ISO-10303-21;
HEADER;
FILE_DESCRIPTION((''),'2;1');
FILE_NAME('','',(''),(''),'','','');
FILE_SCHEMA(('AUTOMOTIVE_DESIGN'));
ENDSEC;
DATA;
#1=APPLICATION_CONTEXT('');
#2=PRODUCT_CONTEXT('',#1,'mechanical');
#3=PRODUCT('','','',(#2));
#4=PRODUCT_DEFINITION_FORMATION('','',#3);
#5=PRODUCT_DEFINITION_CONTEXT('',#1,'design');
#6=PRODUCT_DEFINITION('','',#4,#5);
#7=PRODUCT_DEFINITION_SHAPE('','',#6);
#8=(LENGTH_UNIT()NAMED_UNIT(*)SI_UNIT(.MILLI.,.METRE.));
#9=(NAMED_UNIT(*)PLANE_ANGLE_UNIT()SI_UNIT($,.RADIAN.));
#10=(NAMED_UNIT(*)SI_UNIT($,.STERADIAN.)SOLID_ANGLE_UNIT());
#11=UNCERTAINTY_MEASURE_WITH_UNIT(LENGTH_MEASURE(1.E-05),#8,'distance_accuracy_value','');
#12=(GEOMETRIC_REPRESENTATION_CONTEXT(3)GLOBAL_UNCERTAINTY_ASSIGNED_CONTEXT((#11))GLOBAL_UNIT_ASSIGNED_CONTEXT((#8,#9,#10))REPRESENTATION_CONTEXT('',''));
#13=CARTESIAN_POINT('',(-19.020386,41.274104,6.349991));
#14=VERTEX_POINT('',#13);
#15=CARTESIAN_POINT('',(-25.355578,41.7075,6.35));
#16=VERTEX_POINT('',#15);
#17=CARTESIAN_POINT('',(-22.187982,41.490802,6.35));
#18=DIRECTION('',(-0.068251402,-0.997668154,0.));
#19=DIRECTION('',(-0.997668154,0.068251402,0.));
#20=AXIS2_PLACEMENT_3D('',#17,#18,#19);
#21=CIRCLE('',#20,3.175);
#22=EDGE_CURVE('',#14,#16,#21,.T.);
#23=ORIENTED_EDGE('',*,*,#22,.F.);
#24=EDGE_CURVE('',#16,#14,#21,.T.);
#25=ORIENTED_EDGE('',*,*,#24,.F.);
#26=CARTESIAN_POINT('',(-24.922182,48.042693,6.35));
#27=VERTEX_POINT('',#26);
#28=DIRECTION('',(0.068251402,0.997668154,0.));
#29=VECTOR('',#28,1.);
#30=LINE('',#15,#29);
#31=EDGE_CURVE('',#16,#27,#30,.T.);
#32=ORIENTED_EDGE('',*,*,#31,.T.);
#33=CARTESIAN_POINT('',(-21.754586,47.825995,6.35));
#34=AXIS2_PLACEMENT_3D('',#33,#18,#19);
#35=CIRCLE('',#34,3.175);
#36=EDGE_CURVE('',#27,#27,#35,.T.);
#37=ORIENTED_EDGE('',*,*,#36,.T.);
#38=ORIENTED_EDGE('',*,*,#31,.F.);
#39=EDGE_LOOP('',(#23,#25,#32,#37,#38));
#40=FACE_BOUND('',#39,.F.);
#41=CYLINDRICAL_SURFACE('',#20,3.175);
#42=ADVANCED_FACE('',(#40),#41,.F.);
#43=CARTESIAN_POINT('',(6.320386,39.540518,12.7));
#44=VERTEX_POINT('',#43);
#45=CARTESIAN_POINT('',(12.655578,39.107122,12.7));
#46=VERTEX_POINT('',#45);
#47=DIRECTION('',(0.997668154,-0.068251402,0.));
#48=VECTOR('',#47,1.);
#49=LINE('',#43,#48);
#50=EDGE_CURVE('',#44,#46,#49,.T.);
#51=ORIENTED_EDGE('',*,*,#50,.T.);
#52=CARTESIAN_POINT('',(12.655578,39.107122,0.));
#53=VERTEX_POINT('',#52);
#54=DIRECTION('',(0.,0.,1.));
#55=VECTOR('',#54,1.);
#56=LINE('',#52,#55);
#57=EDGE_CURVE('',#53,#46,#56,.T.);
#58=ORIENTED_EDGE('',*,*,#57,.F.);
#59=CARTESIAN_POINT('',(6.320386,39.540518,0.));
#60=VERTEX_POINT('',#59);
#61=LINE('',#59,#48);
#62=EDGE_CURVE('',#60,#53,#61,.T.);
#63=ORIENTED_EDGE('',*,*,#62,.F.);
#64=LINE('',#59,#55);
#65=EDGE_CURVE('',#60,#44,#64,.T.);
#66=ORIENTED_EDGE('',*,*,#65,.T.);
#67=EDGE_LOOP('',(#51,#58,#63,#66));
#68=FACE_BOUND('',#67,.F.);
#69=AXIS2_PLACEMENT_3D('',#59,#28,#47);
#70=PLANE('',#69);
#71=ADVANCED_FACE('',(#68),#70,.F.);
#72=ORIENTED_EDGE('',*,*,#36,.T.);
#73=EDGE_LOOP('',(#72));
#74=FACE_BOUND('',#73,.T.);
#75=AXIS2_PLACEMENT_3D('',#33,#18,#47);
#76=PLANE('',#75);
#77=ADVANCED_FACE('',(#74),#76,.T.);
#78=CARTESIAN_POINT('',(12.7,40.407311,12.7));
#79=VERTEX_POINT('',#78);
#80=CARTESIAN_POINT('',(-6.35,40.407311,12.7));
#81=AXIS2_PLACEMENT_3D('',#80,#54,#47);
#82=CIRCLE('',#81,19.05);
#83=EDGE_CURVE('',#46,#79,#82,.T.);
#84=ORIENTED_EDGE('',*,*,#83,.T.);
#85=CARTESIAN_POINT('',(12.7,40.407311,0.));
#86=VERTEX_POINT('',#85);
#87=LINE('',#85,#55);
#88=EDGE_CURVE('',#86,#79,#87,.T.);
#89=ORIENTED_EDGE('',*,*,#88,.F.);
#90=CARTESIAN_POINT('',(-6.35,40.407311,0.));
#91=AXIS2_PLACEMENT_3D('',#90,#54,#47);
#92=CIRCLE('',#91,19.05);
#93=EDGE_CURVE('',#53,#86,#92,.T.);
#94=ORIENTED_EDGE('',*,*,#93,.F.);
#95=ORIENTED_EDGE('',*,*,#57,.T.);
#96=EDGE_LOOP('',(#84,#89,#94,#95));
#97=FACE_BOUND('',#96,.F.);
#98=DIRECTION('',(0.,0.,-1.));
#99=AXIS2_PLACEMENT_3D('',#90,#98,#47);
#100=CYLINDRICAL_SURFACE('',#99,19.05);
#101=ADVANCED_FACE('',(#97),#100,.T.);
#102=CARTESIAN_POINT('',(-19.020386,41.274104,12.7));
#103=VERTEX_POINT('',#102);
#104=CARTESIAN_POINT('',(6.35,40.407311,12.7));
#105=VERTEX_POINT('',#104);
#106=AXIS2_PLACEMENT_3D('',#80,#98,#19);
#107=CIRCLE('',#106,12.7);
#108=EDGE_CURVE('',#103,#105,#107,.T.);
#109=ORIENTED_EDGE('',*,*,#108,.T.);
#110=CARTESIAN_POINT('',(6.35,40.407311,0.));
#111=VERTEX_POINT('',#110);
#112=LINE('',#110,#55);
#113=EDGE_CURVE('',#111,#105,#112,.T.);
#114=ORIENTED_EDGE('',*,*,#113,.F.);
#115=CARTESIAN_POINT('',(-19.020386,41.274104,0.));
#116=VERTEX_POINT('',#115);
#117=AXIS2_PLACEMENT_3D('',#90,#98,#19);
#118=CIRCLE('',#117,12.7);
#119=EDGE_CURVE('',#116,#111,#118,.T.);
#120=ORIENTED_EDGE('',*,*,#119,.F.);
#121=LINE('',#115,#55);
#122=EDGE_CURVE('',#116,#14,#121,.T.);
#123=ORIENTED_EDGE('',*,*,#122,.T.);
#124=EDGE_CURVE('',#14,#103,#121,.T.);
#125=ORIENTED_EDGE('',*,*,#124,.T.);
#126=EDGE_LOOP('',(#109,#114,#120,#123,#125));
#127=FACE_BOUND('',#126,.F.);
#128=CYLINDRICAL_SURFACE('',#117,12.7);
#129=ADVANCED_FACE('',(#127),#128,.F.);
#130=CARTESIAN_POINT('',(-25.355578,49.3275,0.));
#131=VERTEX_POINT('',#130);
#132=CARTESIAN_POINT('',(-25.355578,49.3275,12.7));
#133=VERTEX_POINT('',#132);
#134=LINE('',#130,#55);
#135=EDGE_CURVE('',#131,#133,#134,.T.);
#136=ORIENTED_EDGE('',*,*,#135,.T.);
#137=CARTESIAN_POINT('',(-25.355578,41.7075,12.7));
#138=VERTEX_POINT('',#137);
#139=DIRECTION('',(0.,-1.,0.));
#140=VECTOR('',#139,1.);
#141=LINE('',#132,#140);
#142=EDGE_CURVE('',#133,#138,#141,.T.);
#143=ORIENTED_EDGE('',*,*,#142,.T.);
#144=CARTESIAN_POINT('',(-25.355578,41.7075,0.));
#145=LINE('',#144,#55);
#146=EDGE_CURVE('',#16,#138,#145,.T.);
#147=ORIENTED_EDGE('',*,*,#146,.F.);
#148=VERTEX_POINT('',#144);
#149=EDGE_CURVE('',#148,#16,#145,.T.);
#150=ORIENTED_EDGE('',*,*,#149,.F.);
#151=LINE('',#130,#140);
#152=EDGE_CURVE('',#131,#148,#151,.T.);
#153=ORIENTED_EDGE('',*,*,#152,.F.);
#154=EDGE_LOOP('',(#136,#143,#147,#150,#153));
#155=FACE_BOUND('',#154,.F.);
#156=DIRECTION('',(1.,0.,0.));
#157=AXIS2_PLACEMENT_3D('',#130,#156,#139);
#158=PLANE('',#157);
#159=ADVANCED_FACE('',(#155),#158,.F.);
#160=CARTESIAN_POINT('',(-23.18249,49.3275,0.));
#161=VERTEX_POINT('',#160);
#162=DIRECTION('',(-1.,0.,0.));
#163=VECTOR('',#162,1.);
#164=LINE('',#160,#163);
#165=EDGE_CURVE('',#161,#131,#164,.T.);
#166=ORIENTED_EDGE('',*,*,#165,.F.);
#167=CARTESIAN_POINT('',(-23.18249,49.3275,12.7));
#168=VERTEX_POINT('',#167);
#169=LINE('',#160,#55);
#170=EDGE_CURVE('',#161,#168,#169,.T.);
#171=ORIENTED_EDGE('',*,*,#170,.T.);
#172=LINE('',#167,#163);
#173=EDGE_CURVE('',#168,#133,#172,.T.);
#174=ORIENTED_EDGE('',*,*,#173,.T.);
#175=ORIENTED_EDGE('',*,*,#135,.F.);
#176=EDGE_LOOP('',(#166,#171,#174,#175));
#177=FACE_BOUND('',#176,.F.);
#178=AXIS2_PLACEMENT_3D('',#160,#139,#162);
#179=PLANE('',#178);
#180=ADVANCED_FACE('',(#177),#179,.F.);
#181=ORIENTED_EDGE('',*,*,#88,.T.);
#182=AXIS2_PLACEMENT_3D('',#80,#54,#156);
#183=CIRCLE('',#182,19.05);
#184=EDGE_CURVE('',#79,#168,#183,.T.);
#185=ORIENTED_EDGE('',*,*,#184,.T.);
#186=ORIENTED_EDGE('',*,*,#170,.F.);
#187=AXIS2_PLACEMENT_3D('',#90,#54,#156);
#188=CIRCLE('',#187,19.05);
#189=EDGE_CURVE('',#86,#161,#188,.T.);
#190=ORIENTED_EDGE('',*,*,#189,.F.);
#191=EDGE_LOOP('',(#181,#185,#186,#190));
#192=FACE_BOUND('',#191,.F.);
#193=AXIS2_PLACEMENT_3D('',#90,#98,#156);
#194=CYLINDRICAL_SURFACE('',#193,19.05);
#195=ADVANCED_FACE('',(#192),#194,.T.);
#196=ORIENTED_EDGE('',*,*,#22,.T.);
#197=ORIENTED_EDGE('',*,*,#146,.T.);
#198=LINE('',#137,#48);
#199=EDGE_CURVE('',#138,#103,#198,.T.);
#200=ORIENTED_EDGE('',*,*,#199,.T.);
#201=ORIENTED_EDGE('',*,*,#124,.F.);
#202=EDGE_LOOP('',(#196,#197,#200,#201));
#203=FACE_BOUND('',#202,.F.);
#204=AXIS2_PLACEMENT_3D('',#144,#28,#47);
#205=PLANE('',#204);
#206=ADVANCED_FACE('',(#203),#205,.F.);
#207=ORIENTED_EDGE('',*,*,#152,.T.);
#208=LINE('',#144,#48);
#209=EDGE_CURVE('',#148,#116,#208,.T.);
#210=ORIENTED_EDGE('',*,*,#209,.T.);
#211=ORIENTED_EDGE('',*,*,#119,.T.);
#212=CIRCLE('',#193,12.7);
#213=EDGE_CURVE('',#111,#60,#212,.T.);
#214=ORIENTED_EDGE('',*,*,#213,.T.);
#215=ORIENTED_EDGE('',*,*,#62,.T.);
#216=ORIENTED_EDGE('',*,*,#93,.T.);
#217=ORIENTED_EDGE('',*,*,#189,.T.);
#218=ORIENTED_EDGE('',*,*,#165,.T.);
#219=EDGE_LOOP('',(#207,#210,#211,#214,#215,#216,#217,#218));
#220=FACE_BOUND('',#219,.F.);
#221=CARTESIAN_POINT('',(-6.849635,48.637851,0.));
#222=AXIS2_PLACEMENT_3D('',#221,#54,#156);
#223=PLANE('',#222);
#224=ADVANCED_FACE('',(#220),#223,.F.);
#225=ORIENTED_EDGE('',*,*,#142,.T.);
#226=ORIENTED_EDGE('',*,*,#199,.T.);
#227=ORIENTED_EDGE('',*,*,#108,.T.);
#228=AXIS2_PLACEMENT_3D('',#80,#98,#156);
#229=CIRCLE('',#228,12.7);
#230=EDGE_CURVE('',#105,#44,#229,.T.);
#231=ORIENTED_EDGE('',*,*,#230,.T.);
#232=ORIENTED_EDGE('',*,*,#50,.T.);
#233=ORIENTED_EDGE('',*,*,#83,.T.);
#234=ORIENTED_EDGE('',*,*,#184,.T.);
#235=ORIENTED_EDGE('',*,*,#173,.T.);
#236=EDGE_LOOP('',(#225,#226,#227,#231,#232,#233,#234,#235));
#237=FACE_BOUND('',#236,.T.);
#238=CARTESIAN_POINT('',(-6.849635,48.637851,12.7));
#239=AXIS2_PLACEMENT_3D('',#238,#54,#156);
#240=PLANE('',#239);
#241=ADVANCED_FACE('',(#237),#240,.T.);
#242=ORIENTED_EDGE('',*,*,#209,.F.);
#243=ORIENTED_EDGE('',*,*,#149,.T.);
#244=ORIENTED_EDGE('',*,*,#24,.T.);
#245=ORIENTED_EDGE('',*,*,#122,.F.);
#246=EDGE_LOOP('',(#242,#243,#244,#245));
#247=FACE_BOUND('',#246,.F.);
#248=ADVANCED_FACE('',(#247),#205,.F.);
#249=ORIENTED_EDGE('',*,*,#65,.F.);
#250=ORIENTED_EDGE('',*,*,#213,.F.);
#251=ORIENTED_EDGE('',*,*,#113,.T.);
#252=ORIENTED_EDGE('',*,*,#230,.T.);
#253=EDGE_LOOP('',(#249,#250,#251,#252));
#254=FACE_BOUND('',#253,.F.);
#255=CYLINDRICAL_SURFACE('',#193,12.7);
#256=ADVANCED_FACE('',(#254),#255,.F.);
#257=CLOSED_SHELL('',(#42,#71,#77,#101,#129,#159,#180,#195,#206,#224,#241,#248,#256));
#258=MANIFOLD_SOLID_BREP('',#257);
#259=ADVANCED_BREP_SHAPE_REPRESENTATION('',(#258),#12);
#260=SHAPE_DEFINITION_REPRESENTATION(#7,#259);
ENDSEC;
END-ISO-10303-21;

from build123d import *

# Parameters (mm, degrees)
F1_DEPTH = 12.7
F3_DEPTH = 6.35


with BuildPart() as f1:
    # F0 (on Top) → F1 (new body)
    with BuildSketch(Plane.XY):
        with BuildLine():
            Line((-19.0055783398, 41.7074999772), (-25.3555783398, 41.7074999772))
            Line((-25.3555783398, 41.7074999772), (-19.0203855599, 41.2741035754))
            ThreePointArc((-19.0203855599, 41.2741035754), (-5.9163507237, 53.0999050026), (6.35, 40.4073107719))
            ThreePointArc((6.35, 40.4073107719), (6.3425942307, 39.9736614957), (6.3203855599, 39.5405179684))
            Line((6.3203855599, 39.5405179684), (12.6555783398, 39.1071215667))
            ThreePointArc((12.6555783398, 39.1071215667), (12.688891346, 39.7568368575), (12.7, 40.4073107719))
            ThreePointArc((12.7, 40.4073107719), (-1.7541560784, 58.8946231415), (-23.1824901468, 49.3274999772))
            Line((-23.1824901468, 49.3274999772), (-19.0055783398, 49.3274999772))
            Line((-19.0055783398, 49.3274999772), (-19.0055783398, 41.7074999772))
        make_face()
        with BuildLine():
            ThreePointArc((-23.1824901468, 49.3274999772), (-24.6696039317, 45.6317353132), (-25.3555783398, 41.7074999772))
            Line((-25.3555783398, 41.7074999772), (-19.0055783398, 41.7074999772))
            Line((-19.0055783398, 41.7074999772), (-19.0055783398, 49.3274999772))
            Line((-19.0055783398, 49.3274999772), (-23.1824901468, 49.3274999772))
        make_face()
        with BuildLine():
            Line((-25.3555783398, 49.3274999772), (-25.3555783398, 41.7074999772))
            ThreePointArc((-25.3555783398, 41.7074999772), (-24.6696039317, 45.6317353132), (-23.1824901468, 49.3274999772))
            Line((-23.1824901468, 49.3274999772), (-25.3555783398, 49.3274999772))
        make_face()
    extrude(amount=F1_DEPTH)

    # F2 (on face) → F3 (cut)
    with BuildSketch(Plane(origin=(2.7218447995, 39.7866974726, 0), x_dir=(0.9976681543, -0.0682514019, 0), z_dir=(-0.0682514019, -0.9976681543, 0))):
        with BuildLine():
            ThreePointArc((-21.7930483851, 6.35), (-24.9680483851, 9.525), (-28.1430483851, 6.35))
            ThreePointArc((-28.1430483851, 6.35), (-24.9680483851, 3.175), (-21.7930483851, 6.35))
        make_face()
    extrude(amount=-F3_DEPTH, mode=Mode.SUBTRACT)


solid = f1.part
